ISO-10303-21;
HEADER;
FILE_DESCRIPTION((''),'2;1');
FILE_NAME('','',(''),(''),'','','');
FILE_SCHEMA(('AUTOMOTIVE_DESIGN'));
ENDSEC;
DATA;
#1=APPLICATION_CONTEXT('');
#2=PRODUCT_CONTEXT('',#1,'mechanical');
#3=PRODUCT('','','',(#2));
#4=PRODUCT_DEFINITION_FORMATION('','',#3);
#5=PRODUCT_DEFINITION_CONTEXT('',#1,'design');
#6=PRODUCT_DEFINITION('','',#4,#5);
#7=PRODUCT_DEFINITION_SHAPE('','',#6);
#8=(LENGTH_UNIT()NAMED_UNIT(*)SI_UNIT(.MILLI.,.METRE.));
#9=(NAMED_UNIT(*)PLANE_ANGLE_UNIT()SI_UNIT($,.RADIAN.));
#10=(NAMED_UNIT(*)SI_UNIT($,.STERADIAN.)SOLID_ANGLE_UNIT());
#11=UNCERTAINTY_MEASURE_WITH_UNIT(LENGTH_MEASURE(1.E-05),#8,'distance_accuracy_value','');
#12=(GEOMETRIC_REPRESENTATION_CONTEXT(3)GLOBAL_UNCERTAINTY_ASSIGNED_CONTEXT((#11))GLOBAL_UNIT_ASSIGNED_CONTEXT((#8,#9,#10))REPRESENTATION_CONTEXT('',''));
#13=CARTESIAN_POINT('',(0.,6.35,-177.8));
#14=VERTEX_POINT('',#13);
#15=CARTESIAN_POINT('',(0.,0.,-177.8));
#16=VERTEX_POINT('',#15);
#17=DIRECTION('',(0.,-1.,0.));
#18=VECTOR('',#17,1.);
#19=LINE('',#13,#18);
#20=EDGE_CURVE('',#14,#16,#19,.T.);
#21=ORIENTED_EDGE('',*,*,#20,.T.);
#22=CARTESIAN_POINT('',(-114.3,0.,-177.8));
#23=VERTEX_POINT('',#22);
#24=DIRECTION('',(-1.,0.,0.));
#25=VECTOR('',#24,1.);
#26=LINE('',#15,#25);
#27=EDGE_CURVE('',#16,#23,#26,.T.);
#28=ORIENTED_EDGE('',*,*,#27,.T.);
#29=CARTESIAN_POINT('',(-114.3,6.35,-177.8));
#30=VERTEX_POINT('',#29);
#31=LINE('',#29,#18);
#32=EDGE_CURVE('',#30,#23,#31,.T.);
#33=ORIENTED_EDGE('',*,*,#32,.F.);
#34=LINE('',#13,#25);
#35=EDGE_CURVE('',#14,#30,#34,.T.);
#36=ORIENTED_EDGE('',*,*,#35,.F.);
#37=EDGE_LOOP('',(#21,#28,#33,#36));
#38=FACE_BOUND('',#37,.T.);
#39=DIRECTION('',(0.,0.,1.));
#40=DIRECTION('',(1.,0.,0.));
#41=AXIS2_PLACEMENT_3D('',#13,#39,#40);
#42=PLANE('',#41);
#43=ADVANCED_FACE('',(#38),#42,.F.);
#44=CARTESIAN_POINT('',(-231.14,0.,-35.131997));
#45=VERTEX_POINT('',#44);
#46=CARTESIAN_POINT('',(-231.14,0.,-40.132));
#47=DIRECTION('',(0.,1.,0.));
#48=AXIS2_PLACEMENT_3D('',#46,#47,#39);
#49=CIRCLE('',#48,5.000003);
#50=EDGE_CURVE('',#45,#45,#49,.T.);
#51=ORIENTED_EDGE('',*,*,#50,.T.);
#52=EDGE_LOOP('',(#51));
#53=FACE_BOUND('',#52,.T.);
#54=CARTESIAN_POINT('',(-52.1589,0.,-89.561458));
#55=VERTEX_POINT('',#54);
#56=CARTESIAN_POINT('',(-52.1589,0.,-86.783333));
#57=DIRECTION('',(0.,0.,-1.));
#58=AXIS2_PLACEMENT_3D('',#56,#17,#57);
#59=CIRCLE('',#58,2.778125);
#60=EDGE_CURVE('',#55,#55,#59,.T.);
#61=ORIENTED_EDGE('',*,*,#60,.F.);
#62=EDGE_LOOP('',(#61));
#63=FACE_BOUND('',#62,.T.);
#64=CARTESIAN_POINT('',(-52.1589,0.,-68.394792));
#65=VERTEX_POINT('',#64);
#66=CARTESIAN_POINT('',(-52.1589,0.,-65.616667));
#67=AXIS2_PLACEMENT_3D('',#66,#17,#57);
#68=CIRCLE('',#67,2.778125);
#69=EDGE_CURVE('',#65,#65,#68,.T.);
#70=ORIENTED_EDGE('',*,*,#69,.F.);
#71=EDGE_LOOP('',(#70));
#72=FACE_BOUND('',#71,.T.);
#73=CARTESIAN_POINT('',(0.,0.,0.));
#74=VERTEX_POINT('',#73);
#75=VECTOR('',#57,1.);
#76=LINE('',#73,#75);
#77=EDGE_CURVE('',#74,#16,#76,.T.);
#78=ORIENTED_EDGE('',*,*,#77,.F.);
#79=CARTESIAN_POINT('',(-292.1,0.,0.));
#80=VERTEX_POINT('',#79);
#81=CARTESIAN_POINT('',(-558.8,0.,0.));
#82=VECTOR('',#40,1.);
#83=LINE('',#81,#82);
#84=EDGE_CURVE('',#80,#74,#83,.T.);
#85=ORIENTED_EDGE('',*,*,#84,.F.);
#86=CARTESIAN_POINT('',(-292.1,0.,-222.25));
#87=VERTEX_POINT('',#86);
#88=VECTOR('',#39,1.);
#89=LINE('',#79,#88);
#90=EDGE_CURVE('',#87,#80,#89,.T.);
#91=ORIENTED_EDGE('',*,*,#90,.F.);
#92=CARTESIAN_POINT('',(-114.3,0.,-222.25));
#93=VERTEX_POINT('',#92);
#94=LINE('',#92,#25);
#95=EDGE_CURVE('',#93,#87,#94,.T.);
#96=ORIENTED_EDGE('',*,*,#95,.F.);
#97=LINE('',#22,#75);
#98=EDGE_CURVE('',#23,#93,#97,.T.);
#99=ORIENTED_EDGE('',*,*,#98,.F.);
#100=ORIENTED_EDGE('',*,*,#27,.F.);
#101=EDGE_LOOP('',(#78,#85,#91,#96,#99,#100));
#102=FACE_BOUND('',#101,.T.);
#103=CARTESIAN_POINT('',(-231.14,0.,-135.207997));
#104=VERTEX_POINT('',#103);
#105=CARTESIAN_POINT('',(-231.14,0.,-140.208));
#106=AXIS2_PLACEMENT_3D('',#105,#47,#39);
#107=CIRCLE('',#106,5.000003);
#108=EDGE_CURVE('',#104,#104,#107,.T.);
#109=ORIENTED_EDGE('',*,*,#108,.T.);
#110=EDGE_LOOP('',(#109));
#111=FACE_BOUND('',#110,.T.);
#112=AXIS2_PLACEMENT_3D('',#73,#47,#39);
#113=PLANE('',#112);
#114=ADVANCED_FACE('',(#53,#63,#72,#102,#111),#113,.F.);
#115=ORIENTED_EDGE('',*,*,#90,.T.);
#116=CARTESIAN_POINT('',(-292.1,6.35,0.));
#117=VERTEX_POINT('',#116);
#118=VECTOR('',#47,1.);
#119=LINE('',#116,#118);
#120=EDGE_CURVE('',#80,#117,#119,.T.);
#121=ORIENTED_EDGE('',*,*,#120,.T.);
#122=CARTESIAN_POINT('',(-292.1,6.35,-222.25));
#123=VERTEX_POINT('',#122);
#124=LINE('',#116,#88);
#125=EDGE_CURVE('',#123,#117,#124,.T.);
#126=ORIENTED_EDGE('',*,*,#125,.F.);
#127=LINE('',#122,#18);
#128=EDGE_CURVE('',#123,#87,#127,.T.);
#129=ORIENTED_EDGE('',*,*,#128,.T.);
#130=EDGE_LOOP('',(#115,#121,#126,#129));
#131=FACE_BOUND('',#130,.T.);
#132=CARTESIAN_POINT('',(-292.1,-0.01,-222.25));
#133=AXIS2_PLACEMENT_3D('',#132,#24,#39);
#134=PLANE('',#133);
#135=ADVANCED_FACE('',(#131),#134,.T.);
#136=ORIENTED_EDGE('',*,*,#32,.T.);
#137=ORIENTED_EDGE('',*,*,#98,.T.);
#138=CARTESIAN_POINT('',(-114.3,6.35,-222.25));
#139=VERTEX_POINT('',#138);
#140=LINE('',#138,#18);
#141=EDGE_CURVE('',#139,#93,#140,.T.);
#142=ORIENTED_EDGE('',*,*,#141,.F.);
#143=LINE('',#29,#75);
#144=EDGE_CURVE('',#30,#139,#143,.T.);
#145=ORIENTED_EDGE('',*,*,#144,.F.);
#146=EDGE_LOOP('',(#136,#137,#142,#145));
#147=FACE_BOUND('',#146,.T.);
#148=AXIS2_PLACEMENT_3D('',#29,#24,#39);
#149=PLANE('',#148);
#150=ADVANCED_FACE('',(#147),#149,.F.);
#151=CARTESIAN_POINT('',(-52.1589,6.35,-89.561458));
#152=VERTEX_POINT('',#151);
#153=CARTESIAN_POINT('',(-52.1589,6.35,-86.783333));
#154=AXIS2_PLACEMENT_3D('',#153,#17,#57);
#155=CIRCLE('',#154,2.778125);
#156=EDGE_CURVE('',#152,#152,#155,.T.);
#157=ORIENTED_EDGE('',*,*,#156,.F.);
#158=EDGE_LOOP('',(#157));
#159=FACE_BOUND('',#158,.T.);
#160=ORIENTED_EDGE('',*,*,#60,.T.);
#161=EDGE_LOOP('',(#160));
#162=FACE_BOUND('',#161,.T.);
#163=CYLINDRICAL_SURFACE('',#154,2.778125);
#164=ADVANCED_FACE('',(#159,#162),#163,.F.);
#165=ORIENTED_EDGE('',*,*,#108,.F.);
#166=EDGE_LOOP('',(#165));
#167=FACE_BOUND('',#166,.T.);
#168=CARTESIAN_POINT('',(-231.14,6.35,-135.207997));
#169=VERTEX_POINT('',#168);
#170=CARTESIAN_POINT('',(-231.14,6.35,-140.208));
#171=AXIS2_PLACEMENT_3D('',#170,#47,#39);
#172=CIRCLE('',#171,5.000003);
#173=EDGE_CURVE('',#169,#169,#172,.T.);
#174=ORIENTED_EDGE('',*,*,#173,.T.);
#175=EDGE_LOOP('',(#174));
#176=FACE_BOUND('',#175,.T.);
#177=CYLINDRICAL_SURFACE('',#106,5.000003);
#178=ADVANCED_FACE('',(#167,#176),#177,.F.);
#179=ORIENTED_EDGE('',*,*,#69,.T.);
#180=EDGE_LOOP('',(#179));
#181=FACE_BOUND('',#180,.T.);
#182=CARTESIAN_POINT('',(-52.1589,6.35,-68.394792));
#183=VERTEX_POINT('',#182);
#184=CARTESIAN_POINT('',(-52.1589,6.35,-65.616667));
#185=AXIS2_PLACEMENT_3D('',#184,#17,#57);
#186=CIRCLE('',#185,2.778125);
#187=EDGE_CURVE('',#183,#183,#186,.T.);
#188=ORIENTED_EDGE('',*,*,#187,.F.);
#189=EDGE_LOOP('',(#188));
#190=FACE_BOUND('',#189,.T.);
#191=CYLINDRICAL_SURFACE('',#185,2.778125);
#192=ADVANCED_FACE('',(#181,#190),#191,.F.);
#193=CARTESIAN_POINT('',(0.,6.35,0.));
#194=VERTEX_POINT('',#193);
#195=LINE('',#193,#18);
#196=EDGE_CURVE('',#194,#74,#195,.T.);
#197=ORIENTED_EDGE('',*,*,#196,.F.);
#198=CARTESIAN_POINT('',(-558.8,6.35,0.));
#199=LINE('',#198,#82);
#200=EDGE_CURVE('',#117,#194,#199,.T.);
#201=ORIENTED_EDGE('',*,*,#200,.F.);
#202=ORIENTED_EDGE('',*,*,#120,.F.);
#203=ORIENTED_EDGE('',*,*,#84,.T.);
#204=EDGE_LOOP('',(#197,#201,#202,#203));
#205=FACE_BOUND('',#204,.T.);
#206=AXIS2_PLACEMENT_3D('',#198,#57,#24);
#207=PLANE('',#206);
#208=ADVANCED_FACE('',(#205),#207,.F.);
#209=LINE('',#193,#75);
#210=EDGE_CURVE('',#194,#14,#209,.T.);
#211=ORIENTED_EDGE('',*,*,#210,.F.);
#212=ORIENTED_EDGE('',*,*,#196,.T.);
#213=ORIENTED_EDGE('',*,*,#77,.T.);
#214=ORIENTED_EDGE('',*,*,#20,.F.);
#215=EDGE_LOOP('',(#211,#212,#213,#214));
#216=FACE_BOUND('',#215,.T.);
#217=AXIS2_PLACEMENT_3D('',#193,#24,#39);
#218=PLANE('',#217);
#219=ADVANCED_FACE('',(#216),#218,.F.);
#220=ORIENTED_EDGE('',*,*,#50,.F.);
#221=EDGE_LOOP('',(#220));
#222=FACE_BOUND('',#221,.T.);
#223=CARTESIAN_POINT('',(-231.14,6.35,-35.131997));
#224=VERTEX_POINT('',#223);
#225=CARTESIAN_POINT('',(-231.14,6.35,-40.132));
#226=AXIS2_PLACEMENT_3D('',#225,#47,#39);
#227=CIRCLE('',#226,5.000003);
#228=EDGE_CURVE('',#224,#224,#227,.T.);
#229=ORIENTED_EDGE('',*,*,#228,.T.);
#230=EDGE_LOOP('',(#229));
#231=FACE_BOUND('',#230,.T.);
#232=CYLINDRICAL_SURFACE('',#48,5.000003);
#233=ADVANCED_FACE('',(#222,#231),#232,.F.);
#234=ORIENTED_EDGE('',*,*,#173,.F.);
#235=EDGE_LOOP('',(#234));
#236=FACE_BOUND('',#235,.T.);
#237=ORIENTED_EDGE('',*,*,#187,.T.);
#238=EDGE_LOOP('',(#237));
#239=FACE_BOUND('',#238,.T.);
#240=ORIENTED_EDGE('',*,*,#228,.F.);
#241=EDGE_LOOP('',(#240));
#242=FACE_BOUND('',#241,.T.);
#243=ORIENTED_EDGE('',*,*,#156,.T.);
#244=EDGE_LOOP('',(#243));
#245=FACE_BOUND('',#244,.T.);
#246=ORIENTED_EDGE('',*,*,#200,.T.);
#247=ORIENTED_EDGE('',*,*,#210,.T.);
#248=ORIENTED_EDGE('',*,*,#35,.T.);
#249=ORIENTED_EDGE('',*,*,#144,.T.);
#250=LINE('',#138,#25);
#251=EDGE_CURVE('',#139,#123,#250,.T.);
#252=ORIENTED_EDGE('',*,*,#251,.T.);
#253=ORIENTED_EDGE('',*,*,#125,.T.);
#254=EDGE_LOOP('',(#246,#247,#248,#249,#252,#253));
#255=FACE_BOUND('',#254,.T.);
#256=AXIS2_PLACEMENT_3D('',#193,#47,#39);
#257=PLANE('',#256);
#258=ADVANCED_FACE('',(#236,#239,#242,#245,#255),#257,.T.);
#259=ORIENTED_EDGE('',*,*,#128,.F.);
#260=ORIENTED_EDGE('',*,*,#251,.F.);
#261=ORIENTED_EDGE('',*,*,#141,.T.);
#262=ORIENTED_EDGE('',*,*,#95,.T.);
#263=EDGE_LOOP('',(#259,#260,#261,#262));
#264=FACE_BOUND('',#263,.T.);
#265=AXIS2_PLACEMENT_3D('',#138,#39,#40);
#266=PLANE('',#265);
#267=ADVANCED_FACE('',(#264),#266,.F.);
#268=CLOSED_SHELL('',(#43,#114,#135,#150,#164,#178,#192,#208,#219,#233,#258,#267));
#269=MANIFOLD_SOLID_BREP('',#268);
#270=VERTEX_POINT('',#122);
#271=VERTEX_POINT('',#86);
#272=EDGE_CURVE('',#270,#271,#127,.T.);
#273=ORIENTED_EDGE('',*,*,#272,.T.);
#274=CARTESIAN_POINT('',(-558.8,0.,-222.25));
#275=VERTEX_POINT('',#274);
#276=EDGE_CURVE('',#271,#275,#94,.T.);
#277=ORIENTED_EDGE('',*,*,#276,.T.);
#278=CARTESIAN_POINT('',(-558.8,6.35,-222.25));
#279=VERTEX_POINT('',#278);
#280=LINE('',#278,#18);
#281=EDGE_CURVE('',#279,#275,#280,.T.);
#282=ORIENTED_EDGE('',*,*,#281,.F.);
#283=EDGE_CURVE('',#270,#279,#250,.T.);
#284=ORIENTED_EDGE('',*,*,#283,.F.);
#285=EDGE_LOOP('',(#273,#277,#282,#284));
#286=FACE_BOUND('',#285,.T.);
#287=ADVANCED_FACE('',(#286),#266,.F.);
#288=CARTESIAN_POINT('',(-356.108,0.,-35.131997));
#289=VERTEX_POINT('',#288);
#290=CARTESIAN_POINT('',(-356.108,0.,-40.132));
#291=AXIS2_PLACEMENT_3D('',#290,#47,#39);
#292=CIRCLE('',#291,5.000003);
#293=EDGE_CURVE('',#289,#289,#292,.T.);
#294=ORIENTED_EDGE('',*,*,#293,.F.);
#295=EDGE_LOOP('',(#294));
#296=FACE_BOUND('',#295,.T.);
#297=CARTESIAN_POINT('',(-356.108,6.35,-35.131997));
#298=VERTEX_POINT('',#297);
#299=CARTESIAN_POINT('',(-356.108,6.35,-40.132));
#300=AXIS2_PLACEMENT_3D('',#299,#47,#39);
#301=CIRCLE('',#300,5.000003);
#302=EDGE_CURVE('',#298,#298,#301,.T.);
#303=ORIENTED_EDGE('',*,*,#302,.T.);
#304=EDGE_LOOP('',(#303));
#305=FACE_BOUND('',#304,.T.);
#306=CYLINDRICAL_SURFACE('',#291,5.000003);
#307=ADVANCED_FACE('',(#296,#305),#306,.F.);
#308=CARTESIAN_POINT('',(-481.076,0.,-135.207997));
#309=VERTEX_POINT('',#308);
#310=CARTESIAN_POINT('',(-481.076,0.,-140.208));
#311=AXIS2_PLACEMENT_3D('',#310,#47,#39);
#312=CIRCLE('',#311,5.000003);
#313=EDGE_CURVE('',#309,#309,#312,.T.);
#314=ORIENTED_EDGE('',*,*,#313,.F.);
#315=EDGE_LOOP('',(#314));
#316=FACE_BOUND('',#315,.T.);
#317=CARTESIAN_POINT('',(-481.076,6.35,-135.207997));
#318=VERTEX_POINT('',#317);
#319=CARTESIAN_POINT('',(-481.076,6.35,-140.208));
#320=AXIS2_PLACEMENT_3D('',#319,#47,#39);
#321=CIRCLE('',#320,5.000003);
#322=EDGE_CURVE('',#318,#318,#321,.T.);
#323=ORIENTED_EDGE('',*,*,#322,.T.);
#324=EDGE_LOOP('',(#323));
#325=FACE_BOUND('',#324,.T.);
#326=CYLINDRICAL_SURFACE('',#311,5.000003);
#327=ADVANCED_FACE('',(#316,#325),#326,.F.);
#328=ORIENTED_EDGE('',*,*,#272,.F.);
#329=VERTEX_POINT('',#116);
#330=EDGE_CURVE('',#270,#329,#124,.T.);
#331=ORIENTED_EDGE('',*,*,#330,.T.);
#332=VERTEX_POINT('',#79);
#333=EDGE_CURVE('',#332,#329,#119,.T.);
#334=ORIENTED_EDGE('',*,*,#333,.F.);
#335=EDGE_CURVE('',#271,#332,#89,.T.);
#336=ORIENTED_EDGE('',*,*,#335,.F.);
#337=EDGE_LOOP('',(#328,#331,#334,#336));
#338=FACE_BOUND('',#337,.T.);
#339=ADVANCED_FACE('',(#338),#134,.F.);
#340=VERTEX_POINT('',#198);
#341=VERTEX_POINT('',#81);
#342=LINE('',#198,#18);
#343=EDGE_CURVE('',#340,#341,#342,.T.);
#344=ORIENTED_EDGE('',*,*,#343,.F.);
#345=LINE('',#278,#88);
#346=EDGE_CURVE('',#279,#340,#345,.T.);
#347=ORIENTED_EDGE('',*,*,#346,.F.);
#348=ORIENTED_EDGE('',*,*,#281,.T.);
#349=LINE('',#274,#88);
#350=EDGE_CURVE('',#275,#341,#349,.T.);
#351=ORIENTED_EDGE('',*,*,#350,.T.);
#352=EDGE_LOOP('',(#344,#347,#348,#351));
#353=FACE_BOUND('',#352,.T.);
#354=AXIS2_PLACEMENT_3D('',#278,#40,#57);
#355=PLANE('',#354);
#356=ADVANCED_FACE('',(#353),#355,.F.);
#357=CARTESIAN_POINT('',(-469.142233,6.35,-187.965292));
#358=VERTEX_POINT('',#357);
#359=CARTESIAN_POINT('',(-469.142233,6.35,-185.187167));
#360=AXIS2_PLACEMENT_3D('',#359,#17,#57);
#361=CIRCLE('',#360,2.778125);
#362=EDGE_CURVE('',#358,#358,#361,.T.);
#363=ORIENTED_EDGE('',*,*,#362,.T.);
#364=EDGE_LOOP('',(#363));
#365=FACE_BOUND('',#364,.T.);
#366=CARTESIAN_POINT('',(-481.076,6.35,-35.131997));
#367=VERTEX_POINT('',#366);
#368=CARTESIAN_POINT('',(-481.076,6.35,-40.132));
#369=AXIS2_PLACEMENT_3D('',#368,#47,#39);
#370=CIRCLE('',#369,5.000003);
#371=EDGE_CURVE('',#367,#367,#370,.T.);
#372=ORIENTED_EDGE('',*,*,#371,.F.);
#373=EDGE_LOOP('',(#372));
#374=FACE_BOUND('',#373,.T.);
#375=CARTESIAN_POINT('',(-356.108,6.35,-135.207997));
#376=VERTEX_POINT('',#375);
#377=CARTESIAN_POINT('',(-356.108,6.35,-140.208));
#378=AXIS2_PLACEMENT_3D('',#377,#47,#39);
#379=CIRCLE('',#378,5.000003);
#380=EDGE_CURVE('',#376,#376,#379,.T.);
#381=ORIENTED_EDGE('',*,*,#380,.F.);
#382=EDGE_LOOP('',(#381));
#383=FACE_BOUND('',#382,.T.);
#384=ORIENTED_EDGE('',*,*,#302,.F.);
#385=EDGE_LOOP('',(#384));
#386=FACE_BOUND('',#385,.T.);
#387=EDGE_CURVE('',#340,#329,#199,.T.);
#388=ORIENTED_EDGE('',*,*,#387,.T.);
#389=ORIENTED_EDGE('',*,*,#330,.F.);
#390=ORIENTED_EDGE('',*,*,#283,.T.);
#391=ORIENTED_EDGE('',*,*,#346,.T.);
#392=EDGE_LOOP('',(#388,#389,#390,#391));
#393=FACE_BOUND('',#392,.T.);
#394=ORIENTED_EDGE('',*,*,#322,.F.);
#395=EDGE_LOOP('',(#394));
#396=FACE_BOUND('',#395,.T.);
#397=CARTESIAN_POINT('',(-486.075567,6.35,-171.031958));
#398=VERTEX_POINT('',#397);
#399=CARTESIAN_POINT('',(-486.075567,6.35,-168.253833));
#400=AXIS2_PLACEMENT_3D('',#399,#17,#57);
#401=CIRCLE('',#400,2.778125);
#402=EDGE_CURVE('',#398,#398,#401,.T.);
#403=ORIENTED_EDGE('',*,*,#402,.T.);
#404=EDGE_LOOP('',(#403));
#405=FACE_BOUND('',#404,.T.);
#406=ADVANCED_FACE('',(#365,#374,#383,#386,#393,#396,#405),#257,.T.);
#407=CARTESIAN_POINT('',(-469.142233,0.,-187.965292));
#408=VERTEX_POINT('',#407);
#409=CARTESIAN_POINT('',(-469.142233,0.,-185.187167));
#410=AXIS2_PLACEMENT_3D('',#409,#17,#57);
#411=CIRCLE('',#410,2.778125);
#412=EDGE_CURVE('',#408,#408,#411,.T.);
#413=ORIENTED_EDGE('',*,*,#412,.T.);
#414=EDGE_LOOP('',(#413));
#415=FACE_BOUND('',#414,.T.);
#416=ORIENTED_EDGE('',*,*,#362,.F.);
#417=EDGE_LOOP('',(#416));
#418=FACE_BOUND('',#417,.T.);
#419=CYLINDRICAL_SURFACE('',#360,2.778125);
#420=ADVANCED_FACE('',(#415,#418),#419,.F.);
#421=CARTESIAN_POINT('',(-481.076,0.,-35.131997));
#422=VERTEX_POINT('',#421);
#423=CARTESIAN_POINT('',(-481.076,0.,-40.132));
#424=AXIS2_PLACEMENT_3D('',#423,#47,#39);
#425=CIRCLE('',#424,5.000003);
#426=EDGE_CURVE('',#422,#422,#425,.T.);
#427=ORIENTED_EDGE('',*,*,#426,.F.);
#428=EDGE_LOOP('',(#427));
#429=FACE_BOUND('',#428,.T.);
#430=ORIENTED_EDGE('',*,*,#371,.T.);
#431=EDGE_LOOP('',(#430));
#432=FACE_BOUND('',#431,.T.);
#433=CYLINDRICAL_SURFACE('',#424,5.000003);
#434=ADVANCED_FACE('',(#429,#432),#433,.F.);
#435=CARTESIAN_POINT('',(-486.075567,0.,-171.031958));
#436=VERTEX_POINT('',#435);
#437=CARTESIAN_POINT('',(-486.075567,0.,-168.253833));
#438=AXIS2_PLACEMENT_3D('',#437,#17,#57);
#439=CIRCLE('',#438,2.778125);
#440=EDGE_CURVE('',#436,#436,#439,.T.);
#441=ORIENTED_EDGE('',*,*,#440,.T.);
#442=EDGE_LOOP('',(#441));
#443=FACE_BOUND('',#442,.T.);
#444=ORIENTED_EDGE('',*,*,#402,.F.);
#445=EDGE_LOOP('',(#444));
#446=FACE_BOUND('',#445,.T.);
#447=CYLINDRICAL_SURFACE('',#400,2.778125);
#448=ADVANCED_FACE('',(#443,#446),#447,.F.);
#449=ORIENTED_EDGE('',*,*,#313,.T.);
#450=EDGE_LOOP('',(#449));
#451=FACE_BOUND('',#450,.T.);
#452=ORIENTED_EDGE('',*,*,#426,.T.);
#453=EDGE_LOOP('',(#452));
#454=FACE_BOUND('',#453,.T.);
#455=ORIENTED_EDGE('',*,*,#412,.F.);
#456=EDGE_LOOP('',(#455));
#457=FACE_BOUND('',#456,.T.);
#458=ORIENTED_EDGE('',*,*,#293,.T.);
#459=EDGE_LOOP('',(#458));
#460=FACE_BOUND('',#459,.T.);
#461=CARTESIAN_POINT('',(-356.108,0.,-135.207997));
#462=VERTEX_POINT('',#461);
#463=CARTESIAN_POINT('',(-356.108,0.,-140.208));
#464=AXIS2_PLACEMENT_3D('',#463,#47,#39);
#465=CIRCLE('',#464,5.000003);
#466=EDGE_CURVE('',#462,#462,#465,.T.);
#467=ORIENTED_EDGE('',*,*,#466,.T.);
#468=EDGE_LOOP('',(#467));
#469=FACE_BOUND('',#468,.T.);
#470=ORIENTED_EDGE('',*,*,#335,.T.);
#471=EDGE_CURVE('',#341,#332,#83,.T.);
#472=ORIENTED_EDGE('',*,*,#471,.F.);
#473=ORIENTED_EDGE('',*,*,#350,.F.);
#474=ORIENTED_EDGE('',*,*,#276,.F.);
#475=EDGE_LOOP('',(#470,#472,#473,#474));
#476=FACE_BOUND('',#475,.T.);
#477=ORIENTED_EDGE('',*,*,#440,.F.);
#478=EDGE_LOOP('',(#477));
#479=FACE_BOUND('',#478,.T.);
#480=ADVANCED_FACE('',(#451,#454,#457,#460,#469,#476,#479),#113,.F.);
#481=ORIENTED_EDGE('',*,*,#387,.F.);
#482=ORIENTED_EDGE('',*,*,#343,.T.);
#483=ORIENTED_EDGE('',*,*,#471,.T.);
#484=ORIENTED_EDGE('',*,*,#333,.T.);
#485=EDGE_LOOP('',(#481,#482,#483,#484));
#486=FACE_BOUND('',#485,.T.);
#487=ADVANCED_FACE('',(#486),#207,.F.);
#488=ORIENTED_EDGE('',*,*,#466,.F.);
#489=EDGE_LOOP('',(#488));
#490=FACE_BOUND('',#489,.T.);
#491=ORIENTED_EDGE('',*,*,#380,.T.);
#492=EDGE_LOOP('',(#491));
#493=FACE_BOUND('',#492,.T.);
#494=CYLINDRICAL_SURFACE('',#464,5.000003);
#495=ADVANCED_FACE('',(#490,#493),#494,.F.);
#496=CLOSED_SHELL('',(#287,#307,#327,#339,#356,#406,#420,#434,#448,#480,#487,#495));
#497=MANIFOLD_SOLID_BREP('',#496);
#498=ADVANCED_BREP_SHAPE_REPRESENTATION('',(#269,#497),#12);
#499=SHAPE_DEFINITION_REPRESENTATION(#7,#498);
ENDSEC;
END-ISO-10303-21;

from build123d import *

# Parameters (mm, degrees)
BOSS_EXTRUDE1_DEPTH     = 6.35
CUT_EXTRUDE3_DEPTH      = 602.409033022
CUT_EXTRUDE3_DEPTH_BACK = 602.409033022
SKETCH10_R              = 5.0000027
SKETCH2_R               = 2.778125
CUT_EXTRUDE4_DEPTH      = 602.409033022
SPLIT1_SURFACE_1_BACK   = 602.409
SPLIT1_SURFACE_1_DEPTH  = 1204.818
SPLIT1_SURFACE_2_BACK   = 602.409
SPLIT1_SURFACE_2_DEPTH  = 1204.818


with BuildPart() as part:
    # Sketch1 → Boss-Extrude1 (new body)
    with BuildSketch(Plane(origin=(0, 0, 0), x_dir=(1, 0, 0), z_dir=(0, 1, 0))):
        Polygon((0, 0), (0, 177.8), (-114.3, 177.8), (-114.3, 222.25), (-558.8, 222.25), (-558.8, 0), align=None)
    extrude(amount=BOSS_EXTRUDE1_DEPTH)

    # Sketch10 → Cut-Extrude3 (cut, two sides: drawn at the far end of the back side and taken through both)
    with BuildSketch(Plane(origin=(0, 6.35, 0), x_dir=(1, 0, 0), z_dir=(0, 1, 0)).offset(-CUT_EXTRUDE3_DEPTH_BACK)):
        with Locations(Location((-481.076, 40.132, 0), (0, 0, 270))):
            Circle(SKETCH10_R)
        with Locations(Location((-356.108, 40.132, 0), (0, 0, 270))):
            Circle(SKETCH10_R)
        with Locations(Location((-231.14, 40.132, 0), (0, 0, 270))):
            Circle(SKETCH10_R)
        with Locations(Location((-356.108, 140.208, 0), (0, 0, 270))):
            Circle(SKETCH10_R)
        with Locations(Location((-231.14, 140.208, 0), (0, 0, 270))):
            Circle(SKETCH10_R)
        with Locations(Location((-481.076, 140.208, 0), (0, 0, 270))):
            Circle(SKETCH10_R)
    extrude(amount=CUT_EXTRUDE3_DEPTH + CUT_EXTRUDE3_DEPTH_BACK, mode=Mode.SUBTRACT)

    # Sketch2 → Cut-Extrude4 (cut, through all)
    with BuildSketch(Plane.XZ):
        with Locations(Location((-52.1589, -86.783333333, 0), (0, 0, 270))):
            Circle(SKETCH2_R)
        with Locations(Location((-52.1589, -65.616666667, 0), (0, 0, 270))):
            Circle(SKETCH2_R)
        with Locations(Location((-469.142233333, -185.187166667, 0), (0, 0, 270))):
            Circle(SKETCH2_R)
        with Locations(Location((-486.075566667, -168.253833333, 0), (0, 0, 270))):
            Circle(SKETCH2_R)
    extrude(amount=-CUT_EXTRUDE4_DEPTH, mode=Mode.SUBTRACT)


with BuildPart() as body_2:
    # Split1: the piece behind the surface
    add(part.part)
    # Split1 surface: a surface, the sketch's curves swept straight by 1204.818 mm
    with BuildLine(Plane(origin=(0, 6.35, 0), x_dir=(1, 0, 0), z_dir=(0, 1, 0)).offset(-SPLIT1_SURFACE_1_BACK), mode=Mode.PRIVATE) as split1_surface_1_path:
        Line((-292.1, 222.25), (-292.1, 0))
    split1_surface_1 = Shell.extrude(split1_surface_1_path.wire(), (0 * SPLIT1_SURFACE_1_DEPTH, 1 * SPLIT1_SURFACE_1_DEPTH, 0 * SPLIT1_SURFACE_1_DEPTH))
    split(bisect_by=split1_surface_1, keep=Keep.BOTTOM)


with BuildPart() as part_1:
    add(part.part)

    # Split1: split by a surface, the side it looks to stays
    # Split1 surface: a surface, the sketch's curves swept straight by 1204.818 mm
    with BuildLine(Plane(origin=(0, 6.35, 0), x_dir=(1, 0, 0), z_dir=(0, 1, 0)).offset(-SPLIT1_SURFACE_2_BACK), mode=Mode.PRIVATE) as split1_surface_2_path:
        Line((-292.1, 222.25), (-292.1, 0))
    split1_surface_2 = Shell.extrude(split1_surface_2_path.wire(), (0 * SPLIT1_SURFACE_2_DEPTH, 1 * SPLIT1_SURFACE_2_DEPTH, 0 * SPLIT1_SURFACE_2_DEPTH))
    split(bisect_by=split1_surface_2, keep=Keep.TOP)


solid = Compound([body_2.part, part_1.part])
